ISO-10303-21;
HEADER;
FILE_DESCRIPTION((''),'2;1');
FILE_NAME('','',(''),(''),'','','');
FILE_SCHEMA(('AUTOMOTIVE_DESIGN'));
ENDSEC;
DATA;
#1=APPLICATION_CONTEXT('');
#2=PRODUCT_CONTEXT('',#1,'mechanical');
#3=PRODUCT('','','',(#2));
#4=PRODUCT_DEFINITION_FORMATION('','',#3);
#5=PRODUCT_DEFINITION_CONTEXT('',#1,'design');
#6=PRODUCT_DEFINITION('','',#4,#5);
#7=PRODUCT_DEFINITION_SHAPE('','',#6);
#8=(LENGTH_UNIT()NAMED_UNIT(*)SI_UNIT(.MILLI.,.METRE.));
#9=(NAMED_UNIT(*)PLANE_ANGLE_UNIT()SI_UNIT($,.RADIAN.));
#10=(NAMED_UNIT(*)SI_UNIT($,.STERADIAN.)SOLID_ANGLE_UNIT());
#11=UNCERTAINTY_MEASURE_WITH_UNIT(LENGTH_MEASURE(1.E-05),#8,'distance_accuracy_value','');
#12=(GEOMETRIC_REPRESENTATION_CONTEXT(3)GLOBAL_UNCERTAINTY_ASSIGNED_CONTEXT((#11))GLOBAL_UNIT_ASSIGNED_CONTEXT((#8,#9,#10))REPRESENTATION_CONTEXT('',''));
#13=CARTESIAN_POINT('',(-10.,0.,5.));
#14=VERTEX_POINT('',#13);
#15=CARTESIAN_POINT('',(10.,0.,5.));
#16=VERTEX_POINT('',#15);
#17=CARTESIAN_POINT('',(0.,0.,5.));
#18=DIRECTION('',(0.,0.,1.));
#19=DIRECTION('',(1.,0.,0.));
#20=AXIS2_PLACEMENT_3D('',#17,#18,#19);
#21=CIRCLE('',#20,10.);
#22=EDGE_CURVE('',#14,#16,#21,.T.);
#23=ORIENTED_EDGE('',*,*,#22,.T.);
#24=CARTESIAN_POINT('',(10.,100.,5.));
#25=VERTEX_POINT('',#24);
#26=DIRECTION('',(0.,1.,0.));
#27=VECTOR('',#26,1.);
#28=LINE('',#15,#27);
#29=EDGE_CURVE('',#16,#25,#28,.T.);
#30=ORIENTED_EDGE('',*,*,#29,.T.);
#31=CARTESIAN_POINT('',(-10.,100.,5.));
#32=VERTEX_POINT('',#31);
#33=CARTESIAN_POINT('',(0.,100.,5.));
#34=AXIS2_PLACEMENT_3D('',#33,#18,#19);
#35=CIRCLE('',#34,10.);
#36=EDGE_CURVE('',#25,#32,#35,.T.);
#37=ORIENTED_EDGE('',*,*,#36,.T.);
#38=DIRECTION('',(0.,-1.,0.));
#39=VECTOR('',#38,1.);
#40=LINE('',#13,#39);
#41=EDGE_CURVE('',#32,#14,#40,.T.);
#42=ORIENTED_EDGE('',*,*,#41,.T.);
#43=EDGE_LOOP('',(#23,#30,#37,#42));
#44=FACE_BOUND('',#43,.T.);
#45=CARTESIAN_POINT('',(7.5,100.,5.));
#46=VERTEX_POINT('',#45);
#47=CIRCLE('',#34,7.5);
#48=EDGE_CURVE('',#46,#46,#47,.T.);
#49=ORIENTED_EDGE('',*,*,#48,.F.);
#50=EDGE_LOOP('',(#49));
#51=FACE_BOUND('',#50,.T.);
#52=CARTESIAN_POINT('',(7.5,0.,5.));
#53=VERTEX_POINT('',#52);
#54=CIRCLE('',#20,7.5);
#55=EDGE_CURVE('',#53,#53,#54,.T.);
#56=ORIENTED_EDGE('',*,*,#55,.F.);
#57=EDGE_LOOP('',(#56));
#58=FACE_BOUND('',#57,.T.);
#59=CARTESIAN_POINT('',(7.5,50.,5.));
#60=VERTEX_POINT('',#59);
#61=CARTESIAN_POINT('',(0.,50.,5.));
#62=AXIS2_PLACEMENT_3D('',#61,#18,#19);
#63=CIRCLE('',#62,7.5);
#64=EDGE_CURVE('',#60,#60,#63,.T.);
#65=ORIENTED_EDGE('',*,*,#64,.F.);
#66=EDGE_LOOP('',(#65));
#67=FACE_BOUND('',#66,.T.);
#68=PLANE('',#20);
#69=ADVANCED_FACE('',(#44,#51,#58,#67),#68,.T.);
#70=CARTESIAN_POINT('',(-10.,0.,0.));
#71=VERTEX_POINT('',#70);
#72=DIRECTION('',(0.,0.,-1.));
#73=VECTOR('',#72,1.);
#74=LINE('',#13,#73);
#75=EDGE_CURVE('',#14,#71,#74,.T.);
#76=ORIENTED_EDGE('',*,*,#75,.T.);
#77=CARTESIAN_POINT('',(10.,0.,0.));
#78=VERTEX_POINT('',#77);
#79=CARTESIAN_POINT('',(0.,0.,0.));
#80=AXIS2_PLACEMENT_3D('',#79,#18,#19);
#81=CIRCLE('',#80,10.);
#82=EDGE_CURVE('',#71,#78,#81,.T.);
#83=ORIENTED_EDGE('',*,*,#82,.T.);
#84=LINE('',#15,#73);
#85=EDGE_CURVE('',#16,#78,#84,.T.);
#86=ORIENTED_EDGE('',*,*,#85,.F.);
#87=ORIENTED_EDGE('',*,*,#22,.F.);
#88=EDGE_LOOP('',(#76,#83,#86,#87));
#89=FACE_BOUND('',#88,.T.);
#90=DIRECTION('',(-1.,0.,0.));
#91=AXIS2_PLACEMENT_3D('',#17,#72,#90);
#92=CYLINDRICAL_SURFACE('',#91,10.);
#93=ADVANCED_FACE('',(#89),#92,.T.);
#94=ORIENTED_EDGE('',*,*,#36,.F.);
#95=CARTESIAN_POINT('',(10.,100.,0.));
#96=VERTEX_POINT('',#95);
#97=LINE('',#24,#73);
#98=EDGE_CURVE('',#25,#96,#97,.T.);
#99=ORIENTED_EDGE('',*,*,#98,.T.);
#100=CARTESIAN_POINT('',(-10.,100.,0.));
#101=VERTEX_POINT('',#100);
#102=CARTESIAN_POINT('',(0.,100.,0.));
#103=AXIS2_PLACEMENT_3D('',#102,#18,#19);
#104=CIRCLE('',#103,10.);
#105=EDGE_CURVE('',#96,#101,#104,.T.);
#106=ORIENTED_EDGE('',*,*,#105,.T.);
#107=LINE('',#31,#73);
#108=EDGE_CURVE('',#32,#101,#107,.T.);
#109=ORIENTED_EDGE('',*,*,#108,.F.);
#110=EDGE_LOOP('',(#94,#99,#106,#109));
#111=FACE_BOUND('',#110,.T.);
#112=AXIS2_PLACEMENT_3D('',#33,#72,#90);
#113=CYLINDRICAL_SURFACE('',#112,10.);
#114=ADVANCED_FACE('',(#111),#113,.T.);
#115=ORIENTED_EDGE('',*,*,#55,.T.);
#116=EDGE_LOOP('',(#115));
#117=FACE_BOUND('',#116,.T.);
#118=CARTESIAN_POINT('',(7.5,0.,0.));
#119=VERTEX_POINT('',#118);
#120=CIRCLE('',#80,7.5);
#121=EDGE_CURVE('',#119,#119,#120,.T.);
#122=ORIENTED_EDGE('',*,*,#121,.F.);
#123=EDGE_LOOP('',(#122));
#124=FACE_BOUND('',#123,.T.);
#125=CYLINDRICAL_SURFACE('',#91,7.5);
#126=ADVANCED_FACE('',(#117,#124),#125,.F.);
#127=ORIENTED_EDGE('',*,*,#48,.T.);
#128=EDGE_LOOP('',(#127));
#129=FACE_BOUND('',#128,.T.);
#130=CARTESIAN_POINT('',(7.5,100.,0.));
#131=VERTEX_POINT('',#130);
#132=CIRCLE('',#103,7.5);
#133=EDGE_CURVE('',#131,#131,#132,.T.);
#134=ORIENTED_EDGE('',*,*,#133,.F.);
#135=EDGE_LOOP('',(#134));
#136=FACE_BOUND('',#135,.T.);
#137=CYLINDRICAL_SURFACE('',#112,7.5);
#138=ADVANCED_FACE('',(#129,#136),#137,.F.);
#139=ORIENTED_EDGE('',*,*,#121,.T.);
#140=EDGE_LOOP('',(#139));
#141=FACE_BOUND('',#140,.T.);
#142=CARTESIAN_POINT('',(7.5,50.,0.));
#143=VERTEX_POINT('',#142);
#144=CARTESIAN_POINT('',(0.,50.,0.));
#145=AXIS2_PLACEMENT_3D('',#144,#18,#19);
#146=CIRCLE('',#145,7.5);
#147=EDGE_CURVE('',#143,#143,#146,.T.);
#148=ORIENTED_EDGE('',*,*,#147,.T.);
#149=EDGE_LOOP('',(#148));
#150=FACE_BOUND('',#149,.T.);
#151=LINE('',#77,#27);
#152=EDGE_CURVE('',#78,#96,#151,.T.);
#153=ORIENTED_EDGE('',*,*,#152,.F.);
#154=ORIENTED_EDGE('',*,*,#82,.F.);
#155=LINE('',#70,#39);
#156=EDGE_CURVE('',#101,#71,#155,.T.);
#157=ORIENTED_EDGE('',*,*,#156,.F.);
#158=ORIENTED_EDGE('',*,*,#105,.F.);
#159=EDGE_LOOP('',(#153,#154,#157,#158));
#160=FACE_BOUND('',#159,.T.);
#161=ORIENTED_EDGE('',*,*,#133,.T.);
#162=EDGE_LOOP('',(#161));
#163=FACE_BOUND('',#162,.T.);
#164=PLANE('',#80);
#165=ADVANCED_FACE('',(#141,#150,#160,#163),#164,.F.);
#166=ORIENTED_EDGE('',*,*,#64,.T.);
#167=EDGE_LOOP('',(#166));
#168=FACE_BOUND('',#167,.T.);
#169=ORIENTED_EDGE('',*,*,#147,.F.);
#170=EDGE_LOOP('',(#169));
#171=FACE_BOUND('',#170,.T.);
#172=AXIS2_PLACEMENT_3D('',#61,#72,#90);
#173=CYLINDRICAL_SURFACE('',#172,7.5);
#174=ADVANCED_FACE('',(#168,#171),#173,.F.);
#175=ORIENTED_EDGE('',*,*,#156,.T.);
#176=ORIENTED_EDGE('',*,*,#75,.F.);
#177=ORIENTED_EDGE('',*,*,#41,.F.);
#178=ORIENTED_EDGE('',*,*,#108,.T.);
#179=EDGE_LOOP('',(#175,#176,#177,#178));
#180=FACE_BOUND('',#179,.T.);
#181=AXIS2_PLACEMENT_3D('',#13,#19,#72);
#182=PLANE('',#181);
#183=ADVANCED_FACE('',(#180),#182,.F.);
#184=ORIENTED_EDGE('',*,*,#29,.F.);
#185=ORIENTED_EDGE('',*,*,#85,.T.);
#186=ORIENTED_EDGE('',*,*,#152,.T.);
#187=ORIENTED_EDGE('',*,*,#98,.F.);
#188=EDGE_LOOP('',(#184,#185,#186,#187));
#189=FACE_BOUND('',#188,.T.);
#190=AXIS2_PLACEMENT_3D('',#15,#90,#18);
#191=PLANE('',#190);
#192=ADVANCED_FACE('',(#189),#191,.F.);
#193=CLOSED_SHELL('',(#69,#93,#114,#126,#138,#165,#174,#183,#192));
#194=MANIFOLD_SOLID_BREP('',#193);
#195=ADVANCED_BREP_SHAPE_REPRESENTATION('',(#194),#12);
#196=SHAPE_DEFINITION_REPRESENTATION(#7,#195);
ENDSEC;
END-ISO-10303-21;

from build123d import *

# Parameters (mm, degrees)
SKETCH2_R           = 7.5
BOSS_EXTRUDE1_DEPTH = 5


with BuildPart() as part:
    # Sketch2 → Boss-Extrude1 (new body)
    with BuildSketch(Plane.XY):
        with BuildLine():
            Line((-10, 0), (-10, 100))
            ThreePointArc((-10, 100), (0, 110), (10, 100))
            Line((10, 100), (10, 0))
            ThreePointArc((10, 0), (0, -10), (-10, 0))
        make_face()
        with Locations((0, 100)):
            Circle(SKETCH2_R, mode=Mode.SUBTRACT)
        Circle(SKETCH2_R, mode=Mode.SUBTRACT)
        with Locations((0, 50)):
            Circle(SKETCH2_R, mode=Mode.SUBTRACT)
    extrude(amount=BOSS_EXTRUDE1_DEPTH)


solid = part.part
